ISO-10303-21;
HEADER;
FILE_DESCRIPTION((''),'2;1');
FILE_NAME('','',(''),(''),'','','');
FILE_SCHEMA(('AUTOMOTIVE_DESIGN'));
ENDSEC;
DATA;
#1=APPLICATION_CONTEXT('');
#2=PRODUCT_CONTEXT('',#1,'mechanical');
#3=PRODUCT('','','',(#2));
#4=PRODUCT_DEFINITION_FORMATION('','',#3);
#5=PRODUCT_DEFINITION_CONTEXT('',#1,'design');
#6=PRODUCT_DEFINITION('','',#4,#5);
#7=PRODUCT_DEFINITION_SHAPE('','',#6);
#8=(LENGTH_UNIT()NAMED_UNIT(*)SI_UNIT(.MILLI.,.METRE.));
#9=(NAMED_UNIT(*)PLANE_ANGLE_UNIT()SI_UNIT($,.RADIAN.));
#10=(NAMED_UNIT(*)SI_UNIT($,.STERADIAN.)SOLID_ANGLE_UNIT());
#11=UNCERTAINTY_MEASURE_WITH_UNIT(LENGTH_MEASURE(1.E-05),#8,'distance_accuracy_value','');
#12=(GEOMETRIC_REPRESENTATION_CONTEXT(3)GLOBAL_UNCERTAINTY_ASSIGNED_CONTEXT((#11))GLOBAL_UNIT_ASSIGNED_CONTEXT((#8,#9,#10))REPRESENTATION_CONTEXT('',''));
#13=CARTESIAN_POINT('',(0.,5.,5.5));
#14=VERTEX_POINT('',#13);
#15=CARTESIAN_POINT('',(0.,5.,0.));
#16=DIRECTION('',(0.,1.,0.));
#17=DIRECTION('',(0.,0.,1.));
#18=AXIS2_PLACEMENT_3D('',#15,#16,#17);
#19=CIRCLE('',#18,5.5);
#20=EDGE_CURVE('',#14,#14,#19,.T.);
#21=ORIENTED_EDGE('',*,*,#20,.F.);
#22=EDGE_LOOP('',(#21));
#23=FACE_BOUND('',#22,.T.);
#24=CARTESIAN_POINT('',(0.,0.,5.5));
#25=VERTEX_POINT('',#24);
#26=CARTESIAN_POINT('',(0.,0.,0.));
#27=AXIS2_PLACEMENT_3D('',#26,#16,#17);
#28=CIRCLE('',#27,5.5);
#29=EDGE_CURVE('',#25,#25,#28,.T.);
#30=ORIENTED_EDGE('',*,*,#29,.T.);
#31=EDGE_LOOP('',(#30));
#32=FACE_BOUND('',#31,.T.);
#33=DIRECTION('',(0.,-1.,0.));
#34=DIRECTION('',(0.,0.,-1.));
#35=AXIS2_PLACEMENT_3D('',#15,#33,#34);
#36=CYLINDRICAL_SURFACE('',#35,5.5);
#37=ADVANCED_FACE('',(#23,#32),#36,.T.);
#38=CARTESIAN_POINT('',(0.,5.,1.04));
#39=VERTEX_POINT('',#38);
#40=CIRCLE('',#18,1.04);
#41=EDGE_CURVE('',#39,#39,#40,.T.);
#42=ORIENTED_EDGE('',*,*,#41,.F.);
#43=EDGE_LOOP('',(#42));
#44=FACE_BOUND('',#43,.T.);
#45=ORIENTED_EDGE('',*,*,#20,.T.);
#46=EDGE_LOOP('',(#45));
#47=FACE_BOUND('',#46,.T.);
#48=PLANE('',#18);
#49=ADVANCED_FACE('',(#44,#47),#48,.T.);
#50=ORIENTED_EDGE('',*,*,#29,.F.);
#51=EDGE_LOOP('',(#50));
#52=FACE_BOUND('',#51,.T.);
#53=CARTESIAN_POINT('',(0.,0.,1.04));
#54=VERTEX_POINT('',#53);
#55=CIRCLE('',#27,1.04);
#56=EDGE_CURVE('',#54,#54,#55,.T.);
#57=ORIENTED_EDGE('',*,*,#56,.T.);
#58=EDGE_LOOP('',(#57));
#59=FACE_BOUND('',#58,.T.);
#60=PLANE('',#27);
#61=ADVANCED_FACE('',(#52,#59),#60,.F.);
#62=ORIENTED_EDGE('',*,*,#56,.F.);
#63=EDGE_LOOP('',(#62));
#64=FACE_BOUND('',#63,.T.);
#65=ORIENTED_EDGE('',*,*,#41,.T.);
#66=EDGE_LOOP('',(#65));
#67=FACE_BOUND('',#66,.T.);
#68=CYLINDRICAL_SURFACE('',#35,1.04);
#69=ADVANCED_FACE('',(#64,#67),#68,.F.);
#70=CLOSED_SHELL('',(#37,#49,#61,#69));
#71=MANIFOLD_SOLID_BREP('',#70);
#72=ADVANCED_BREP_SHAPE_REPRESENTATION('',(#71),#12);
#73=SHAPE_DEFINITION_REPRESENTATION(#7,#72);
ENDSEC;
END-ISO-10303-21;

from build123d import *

# Parameters (mm, degrees)
SKETCH1_R           = 5.5
SKETCH1_R_2         = 1.04
BOSS_EXTRUDE1_DEPTH = 5


with BuildPart() as part:
    # Sketch1 → Boss-Extrude1 (new body)
    with BuildSketch(Plane(origin=(0, 0, 0), x_dir=(1, 0, 0), z_dir=(0, 1, 0))):
        with Locations(Location((0, 0, 0), (0, 0, 270))):
            Circle(SKETCH1_R)
        with Locations(Location((0, 0, 0), (0, 0, 270))):
            Circle(SKETCH1_R_2, mode=Mode.SUBTRACT)
    extrude(amount=BOSS_EXTRUDE1_DEPTH)


solid = part.part
